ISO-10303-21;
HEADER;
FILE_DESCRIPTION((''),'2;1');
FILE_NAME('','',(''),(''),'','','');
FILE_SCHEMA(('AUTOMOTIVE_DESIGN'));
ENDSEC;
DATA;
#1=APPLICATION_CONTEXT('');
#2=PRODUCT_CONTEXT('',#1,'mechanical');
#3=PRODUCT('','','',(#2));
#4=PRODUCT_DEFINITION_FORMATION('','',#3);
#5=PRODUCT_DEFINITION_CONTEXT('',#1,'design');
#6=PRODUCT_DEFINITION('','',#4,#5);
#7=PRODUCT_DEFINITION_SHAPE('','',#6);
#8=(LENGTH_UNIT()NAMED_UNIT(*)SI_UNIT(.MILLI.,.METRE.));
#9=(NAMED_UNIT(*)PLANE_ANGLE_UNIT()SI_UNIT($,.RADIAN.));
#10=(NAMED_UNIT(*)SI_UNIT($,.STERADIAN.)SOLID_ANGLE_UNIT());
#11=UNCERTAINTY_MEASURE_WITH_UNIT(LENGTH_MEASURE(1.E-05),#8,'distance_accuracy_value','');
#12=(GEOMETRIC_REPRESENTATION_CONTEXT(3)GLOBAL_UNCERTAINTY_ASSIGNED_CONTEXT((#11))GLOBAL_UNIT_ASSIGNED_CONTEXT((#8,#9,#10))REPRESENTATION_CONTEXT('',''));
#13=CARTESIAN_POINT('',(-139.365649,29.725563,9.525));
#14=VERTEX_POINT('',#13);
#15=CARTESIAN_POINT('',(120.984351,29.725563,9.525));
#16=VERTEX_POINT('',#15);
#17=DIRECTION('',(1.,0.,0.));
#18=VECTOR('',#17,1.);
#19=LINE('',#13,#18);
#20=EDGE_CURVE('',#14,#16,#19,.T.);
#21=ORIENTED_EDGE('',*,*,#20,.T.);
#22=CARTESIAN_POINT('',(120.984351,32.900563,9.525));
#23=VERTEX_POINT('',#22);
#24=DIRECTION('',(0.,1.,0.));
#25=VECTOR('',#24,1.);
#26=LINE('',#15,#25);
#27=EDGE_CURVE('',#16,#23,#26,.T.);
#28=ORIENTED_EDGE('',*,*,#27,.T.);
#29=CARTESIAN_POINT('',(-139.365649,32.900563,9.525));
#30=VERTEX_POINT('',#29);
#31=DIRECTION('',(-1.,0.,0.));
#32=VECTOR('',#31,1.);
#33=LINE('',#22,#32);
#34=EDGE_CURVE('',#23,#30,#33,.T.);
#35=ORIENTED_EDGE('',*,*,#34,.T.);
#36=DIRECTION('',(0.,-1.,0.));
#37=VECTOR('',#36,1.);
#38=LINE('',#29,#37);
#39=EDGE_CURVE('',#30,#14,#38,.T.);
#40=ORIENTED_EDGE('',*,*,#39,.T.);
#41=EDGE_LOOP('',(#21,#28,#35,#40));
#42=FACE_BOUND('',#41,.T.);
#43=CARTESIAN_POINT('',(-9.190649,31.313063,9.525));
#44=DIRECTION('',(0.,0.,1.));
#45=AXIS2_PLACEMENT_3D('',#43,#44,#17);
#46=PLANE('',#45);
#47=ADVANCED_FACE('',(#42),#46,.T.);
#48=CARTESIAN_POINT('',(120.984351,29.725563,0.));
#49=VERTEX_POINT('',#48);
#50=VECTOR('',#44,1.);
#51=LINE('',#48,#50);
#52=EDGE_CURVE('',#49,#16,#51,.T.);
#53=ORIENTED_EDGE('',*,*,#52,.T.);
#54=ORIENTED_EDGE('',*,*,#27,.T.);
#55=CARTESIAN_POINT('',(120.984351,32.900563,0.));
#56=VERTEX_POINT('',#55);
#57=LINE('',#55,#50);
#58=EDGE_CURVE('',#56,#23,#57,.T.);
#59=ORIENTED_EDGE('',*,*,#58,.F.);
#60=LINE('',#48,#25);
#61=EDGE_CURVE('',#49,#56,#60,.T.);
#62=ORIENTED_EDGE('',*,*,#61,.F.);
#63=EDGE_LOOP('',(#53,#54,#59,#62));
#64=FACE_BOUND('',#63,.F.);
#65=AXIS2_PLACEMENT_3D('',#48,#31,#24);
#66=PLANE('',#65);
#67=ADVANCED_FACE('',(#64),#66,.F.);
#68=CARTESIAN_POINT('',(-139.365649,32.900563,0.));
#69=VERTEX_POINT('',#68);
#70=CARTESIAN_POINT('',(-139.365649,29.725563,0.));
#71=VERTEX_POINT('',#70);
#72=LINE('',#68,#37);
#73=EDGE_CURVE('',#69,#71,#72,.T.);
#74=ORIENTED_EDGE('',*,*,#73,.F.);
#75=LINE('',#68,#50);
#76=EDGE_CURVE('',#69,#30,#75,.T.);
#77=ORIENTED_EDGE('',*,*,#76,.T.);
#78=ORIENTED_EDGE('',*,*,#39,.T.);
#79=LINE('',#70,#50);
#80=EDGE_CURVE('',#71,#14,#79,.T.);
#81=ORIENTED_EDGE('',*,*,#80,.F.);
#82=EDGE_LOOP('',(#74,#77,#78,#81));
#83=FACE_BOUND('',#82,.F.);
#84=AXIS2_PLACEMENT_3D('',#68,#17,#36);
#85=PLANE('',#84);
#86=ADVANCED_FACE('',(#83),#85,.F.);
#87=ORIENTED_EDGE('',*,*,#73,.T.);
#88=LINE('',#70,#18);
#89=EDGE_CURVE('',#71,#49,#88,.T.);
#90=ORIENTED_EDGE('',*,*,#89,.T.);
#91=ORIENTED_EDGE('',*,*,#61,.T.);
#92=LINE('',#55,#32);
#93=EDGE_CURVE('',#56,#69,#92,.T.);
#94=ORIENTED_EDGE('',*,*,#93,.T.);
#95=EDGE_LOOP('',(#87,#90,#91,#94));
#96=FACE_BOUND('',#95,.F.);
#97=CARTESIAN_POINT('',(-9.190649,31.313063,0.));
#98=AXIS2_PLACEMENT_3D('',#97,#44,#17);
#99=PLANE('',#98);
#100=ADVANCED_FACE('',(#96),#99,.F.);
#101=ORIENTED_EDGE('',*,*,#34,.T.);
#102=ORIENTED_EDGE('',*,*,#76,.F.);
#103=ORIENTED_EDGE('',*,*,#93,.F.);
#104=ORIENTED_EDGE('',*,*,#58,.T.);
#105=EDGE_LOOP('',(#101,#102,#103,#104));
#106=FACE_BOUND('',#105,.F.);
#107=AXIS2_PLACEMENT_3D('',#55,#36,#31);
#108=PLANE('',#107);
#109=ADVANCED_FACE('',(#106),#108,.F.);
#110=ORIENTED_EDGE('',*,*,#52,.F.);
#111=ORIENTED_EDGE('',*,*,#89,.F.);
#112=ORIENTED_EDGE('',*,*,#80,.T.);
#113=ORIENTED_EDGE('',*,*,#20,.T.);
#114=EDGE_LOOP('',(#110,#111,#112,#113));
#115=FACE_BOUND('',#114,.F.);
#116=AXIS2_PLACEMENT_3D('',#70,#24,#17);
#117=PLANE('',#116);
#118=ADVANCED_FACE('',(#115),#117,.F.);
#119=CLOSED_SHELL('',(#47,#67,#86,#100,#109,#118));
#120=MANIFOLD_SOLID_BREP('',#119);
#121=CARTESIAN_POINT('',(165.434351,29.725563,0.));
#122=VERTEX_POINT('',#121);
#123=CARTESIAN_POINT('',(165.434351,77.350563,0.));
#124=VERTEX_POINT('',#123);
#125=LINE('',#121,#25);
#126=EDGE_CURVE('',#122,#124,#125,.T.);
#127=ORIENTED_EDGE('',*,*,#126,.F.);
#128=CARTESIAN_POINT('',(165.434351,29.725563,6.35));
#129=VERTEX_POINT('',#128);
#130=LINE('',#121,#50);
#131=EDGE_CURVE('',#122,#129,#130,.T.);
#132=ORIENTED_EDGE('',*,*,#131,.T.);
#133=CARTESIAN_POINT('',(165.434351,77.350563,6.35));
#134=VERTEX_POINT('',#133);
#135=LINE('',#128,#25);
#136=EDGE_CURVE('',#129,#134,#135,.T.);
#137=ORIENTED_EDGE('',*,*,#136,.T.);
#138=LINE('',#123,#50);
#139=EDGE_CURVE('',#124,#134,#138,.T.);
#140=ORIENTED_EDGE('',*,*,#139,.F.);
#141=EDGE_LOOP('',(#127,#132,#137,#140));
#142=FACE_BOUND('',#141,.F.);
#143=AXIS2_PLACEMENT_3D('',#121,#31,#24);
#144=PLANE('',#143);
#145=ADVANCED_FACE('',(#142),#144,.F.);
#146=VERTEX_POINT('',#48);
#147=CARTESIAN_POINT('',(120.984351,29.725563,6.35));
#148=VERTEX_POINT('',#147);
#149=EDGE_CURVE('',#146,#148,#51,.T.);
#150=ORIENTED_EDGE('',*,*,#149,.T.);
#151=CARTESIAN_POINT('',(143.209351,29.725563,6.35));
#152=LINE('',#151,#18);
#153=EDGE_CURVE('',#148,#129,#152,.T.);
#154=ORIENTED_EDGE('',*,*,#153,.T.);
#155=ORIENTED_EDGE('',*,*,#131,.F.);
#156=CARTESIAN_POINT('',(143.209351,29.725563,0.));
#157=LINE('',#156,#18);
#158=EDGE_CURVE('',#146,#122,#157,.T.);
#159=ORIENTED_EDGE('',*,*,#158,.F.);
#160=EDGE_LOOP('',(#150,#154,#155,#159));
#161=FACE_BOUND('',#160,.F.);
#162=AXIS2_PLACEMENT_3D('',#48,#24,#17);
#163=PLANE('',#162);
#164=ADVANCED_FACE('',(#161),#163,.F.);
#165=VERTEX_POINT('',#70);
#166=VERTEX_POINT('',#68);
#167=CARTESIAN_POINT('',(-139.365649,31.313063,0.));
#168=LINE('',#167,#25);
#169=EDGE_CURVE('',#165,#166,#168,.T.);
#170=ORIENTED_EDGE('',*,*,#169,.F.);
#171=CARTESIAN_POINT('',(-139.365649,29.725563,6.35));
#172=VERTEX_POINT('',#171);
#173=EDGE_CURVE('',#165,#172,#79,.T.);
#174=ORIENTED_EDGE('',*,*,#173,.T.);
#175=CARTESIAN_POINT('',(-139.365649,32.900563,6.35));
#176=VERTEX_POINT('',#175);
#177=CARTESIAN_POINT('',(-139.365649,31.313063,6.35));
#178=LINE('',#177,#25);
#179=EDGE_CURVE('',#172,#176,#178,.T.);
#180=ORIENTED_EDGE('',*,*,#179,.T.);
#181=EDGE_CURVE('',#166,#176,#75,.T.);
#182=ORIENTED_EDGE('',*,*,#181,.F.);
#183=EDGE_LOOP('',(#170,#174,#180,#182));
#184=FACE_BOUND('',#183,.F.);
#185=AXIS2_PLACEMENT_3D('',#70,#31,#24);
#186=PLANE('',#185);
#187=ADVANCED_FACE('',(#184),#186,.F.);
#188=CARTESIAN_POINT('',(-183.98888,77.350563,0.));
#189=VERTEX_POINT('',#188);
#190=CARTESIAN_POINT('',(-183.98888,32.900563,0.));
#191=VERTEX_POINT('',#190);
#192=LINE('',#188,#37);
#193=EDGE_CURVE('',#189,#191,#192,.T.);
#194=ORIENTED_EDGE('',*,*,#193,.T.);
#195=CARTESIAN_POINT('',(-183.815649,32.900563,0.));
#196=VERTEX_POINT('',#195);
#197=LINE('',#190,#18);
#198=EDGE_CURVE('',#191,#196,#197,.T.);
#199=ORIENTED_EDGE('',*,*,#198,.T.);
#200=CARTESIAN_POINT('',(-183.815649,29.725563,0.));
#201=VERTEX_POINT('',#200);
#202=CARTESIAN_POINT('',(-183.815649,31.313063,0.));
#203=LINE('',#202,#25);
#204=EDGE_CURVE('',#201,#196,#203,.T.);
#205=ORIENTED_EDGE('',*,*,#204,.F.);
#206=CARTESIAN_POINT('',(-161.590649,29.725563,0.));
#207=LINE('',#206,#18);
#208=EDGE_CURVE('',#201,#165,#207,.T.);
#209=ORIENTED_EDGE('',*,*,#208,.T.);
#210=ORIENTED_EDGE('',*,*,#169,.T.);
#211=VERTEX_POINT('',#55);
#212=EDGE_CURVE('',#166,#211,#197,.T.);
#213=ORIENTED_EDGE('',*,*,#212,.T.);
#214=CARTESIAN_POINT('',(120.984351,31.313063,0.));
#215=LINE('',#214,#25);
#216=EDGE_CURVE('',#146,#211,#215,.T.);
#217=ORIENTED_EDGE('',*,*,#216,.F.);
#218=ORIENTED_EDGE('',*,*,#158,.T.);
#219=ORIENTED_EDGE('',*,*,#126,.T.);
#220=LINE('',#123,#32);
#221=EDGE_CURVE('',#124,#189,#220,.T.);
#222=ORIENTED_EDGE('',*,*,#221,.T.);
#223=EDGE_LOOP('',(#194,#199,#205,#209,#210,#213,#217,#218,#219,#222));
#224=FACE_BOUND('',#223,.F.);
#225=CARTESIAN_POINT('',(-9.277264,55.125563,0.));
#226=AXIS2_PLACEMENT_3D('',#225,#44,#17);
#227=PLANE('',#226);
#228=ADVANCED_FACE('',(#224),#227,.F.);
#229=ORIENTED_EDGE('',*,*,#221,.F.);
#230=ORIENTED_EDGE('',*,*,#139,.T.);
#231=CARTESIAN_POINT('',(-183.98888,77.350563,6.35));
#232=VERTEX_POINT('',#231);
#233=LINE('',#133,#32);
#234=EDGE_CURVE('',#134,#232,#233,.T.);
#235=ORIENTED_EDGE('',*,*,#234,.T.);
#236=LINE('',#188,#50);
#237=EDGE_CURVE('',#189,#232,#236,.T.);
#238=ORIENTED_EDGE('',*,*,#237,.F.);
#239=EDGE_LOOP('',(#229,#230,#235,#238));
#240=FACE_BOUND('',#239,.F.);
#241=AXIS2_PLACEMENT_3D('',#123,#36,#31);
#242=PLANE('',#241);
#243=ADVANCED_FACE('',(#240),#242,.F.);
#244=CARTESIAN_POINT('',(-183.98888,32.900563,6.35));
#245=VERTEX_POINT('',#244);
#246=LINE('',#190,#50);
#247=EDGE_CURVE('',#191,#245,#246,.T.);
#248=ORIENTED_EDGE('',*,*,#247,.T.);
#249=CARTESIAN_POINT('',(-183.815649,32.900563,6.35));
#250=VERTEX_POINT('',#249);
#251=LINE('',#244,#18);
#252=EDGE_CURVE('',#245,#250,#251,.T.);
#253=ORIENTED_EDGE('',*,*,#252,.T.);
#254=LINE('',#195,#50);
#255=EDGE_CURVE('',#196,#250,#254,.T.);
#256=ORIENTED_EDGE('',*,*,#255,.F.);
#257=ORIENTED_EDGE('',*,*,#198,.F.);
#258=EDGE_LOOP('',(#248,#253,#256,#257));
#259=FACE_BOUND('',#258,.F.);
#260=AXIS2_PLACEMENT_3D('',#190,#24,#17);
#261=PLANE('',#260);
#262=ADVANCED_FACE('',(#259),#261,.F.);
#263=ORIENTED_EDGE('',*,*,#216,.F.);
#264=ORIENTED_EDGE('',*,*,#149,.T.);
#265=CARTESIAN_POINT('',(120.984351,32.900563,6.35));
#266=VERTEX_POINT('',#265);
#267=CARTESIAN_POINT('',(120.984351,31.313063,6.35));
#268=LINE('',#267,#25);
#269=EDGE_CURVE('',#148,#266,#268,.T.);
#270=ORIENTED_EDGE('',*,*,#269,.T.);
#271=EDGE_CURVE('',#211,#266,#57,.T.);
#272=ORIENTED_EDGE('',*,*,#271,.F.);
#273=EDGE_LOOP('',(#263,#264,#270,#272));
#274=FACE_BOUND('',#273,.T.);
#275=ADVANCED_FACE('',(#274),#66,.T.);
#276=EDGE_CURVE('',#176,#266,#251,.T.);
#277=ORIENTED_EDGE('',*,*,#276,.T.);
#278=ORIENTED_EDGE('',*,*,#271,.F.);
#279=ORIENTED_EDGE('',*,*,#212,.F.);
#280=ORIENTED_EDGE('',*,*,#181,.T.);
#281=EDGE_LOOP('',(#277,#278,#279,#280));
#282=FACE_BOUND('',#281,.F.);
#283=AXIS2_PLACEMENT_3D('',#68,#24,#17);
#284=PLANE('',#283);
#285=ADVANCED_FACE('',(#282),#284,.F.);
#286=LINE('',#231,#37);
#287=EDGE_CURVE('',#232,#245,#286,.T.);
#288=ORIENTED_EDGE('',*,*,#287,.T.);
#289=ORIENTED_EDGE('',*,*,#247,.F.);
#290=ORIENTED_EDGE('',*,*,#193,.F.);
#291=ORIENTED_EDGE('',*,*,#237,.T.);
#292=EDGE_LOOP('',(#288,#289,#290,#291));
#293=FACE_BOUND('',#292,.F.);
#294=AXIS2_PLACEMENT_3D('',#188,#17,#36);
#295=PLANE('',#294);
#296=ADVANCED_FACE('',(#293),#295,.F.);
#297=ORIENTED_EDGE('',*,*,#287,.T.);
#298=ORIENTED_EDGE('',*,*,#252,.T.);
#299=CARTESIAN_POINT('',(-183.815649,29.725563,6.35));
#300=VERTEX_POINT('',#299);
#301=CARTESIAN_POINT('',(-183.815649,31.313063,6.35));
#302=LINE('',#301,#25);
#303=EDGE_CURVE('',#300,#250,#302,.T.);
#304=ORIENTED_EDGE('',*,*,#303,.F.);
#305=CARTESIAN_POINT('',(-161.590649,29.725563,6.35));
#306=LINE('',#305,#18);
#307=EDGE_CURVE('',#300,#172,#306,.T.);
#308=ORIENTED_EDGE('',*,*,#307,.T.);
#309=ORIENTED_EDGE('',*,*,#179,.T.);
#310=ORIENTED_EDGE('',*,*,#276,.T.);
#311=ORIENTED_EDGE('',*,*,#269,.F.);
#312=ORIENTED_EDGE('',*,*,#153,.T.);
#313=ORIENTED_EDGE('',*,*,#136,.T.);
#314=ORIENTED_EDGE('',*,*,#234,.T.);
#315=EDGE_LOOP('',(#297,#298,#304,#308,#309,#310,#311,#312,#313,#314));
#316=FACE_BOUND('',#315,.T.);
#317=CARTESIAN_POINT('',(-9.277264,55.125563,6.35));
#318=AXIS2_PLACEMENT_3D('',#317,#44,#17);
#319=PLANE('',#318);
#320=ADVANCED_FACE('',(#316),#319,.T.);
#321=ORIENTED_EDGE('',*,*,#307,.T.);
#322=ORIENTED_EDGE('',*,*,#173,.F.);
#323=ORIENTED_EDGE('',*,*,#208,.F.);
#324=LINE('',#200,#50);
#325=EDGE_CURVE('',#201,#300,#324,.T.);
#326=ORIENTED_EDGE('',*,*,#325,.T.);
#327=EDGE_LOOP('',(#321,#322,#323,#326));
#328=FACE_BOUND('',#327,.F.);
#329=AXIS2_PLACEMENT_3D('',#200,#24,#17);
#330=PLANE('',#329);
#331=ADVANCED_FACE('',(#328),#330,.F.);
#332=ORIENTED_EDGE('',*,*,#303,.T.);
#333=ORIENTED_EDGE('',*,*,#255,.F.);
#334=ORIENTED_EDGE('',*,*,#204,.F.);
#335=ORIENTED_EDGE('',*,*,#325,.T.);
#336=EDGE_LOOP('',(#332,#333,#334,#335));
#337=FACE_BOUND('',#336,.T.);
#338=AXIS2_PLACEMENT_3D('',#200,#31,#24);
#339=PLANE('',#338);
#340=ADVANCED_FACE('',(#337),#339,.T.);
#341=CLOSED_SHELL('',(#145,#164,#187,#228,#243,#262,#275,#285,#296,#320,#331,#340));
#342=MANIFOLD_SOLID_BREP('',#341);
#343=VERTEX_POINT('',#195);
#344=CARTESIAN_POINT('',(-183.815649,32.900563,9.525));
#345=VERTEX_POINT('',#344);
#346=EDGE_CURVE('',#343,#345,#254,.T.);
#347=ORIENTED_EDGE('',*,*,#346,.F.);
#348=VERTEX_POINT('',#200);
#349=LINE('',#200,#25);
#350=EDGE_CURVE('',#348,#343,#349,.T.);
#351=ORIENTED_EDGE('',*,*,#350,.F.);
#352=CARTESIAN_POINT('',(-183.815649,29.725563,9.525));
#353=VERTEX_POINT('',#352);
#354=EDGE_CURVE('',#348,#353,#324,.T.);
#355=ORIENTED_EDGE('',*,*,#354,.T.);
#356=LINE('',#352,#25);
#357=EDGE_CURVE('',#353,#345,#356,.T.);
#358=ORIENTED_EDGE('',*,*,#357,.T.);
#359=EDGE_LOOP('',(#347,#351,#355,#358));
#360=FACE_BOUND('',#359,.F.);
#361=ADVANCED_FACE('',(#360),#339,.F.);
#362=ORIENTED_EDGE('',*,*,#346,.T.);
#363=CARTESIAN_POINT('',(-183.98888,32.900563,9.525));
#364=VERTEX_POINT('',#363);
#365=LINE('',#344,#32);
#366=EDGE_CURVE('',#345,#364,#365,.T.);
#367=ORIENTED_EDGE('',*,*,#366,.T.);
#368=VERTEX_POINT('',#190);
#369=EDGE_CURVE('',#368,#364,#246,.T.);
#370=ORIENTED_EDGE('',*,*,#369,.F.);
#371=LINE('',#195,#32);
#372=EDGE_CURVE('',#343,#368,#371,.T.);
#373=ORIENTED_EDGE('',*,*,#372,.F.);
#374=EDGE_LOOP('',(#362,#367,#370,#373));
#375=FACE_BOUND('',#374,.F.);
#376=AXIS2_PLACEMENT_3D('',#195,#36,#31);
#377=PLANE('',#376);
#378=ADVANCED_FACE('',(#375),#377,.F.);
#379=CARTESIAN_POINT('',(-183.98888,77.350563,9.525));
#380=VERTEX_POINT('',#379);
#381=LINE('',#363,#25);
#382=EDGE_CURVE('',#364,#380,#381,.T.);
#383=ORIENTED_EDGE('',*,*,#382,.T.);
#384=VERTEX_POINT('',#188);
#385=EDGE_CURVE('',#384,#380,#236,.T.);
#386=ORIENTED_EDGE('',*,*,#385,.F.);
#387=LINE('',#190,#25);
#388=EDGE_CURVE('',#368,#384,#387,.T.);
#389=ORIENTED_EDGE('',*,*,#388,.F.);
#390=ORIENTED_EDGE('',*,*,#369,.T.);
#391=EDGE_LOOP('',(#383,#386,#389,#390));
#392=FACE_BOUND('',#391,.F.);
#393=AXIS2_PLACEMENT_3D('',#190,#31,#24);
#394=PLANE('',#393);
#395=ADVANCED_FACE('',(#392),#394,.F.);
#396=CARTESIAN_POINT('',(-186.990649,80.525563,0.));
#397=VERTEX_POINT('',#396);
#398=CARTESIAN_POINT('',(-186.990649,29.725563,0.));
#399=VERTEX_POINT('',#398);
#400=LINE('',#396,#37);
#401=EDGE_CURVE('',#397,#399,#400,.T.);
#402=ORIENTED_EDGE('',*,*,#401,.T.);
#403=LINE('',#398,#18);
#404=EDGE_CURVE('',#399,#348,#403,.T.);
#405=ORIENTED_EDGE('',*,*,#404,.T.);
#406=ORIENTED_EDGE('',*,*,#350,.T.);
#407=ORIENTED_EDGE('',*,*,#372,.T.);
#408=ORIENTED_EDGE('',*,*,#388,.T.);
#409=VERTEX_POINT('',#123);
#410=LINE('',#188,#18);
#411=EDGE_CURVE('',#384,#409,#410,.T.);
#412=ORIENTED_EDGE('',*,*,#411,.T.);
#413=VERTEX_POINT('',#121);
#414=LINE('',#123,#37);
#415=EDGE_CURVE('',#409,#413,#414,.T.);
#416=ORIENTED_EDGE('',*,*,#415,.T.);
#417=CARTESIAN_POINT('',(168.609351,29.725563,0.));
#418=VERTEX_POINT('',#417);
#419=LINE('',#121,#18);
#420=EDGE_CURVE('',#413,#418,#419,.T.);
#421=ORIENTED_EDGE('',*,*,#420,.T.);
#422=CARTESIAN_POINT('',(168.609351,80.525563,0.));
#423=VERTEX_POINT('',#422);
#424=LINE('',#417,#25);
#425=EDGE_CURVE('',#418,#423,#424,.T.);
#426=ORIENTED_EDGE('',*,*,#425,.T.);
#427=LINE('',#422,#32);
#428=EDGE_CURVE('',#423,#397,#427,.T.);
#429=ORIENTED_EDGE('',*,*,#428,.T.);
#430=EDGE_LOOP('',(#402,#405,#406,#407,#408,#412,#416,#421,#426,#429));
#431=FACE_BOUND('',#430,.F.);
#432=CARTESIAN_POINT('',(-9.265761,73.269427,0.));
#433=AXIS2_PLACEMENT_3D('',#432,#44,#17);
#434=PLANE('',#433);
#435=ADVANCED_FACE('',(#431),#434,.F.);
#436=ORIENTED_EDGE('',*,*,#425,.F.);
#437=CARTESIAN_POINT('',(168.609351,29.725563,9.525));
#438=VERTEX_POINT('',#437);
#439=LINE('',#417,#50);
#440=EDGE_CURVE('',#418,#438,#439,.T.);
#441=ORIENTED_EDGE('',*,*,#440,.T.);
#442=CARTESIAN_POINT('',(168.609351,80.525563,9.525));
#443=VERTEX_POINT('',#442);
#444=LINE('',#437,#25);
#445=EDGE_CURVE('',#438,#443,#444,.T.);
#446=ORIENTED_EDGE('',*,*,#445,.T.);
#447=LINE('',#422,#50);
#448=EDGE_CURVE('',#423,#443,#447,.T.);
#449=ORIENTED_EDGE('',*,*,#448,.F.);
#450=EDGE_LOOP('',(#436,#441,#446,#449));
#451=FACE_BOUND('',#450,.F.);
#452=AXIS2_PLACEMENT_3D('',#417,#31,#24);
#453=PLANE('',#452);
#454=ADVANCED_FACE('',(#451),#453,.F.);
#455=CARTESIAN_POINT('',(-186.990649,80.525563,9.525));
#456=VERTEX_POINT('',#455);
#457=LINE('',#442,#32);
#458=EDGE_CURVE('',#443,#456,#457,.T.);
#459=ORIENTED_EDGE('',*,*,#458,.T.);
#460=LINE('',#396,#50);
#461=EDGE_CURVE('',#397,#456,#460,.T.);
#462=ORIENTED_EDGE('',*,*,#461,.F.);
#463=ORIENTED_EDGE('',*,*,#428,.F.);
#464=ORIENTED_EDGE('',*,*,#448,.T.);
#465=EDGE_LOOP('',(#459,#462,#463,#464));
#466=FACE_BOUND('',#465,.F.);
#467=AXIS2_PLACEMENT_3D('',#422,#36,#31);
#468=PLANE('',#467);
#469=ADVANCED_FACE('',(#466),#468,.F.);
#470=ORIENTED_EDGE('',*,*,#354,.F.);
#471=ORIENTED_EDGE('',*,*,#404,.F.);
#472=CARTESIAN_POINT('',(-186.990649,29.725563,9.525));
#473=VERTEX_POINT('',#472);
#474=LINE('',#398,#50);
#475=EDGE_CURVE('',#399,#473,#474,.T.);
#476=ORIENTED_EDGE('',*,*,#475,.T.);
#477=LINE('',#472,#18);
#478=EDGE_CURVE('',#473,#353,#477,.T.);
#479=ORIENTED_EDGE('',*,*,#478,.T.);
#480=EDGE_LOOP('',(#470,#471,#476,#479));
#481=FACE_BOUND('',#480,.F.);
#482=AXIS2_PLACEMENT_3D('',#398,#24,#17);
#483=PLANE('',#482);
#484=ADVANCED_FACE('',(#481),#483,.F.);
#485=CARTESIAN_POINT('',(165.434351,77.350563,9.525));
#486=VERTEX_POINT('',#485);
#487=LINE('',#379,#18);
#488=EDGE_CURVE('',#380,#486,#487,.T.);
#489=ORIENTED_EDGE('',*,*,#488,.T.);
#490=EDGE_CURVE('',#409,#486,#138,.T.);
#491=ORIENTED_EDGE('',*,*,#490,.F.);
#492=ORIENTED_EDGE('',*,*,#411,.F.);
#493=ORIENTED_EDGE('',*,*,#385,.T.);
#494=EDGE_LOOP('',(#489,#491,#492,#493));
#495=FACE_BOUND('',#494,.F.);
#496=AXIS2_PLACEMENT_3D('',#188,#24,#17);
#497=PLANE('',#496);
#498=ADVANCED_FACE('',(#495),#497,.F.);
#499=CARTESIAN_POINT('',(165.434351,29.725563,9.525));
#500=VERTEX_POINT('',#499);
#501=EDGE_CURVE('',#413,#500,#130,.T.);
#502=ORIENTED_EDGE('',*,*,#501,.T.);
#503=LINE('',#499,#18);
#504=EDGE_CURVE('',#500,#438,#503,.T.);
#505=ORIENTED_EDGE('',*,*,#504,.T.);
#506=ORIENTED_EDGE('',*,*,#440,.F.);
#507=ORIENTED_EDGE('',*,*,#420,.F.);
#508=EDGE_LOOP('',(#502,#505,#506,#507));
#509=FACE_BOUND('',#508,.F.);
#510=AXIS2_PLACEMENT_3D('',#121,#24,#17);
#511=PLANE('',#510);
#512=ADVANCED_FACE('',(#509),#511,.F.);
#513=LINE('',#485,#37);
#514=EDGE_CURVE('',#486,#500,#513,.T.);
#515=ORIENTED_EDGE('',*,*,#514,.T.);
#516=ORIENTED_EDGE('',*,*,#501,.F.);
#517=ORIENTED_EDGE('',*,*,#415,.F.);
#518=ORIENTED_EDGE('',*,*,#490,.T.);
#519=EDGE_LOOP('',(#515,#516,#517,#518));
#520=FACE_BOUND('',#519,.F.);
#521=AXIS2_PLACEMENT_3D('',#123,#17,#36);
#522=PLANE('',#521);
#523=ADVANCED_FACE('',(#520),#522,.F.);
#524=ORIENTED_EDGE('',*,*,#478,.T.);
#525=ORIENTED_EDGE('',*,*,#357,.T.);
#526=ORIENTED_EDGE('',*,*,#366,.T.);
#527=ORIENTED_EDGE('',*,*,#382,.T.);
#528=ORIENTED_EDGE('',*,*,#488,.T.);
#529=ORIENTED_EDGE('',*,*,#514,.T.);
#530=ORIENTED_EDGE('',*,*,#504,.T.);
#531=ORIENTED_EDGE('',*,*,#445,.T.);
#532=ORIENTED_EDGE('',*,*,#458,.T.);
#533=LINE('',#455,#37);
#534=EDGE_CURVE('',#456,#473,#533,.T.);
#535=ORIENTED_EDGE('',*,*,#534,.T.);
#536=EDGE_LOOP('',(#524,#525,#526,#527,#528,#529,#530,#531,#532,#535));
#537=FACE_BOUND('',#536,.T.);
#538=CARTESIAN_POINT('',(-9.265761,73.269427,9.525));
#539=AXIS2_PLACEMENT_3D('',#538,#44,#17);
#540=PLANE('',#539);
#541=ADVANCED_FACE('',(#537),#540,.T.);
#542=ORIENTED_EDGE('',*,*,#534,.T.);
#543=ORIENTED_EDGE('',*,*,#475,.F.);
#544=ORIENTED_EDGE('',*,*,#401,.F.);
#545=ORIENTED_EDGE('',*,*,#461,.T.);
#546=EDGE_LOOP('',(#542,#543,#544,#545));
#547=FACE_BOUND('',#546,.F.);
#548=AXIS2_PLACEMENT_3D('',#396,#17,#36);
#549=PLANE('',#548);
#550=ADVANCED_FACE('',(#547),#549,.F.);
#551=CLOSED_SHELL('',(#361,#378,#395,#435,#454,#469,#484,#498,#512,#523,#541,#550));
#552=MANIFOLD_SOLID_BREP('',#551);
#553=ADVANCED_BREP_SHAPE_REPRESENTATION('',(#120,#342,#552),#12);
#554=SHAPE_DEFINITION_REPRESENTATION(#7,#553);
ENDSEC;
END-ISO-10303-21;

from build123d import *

# Parameters (mm, degrees)
F1_DEPTH = 9.525
F0_W     = 44.45
F0_H     = 3.175
F2_DEPTH = 6.35


with BuildPart() as f1:
    # F0 (on Top) → F1 (new body)
    with BuildSketch(Plane.XY):
        Polygon((-186.990649, 32.900563), (-186.990649, 29.725563), (-183.815649, 29.725563), (-183.815649, 32.900563), (-183.98888, 32.900563), (-183.98888, 77.350563), (165.434351, 77.350563), (165.434351, 32.900563), (165.434351, 29.725563), (168.609351, 29.725563), (168.609351, 32.900563), (168.609351, 77.350563), (168.609351, 80.525563), (165.434351, 80.525563), (-183.815649, 80.525563), (-186.990649, 80.525563), (-186.990649, 77.350563), align=None)
        Polygon((-139.365649, 32.900563), (-139.365649, 29.725563), (-136.190649, 29.725563), (117.809351, 29.725563), (120.984351, 29.725563), (120.984351, 32.900563), (117.809351, 32.900563), (-136.190649, 32.900563), align=None)
    extrude(amount=F1_DEPTH)


with BuildPart() as f2:
    # F0 (on Top) → F2 (new body)
    with BuildSketch(Plane.XY):
        Polygon((-183.98888, 32.900563), (-183.815649, 32.900563), (-139.365649, 32.900563), (-136.190649, 32.900563), (117.809351, 32.900563), (120.984351, 32.900563), (165.434351, 32.900563), (165.434351, 77.350563), (-183.98888, 77.350563), align=None)
        with Locations((-161.590649, 31.313063)):
            Rectangle(F0_W, F0_H)
        with Locations((143.209351, 31.313063)):
            Rectangle(F0_W, F0_H)
    extrude(amount=F2_DEPTH)


solid = Compound([f1.part, f2.part])
